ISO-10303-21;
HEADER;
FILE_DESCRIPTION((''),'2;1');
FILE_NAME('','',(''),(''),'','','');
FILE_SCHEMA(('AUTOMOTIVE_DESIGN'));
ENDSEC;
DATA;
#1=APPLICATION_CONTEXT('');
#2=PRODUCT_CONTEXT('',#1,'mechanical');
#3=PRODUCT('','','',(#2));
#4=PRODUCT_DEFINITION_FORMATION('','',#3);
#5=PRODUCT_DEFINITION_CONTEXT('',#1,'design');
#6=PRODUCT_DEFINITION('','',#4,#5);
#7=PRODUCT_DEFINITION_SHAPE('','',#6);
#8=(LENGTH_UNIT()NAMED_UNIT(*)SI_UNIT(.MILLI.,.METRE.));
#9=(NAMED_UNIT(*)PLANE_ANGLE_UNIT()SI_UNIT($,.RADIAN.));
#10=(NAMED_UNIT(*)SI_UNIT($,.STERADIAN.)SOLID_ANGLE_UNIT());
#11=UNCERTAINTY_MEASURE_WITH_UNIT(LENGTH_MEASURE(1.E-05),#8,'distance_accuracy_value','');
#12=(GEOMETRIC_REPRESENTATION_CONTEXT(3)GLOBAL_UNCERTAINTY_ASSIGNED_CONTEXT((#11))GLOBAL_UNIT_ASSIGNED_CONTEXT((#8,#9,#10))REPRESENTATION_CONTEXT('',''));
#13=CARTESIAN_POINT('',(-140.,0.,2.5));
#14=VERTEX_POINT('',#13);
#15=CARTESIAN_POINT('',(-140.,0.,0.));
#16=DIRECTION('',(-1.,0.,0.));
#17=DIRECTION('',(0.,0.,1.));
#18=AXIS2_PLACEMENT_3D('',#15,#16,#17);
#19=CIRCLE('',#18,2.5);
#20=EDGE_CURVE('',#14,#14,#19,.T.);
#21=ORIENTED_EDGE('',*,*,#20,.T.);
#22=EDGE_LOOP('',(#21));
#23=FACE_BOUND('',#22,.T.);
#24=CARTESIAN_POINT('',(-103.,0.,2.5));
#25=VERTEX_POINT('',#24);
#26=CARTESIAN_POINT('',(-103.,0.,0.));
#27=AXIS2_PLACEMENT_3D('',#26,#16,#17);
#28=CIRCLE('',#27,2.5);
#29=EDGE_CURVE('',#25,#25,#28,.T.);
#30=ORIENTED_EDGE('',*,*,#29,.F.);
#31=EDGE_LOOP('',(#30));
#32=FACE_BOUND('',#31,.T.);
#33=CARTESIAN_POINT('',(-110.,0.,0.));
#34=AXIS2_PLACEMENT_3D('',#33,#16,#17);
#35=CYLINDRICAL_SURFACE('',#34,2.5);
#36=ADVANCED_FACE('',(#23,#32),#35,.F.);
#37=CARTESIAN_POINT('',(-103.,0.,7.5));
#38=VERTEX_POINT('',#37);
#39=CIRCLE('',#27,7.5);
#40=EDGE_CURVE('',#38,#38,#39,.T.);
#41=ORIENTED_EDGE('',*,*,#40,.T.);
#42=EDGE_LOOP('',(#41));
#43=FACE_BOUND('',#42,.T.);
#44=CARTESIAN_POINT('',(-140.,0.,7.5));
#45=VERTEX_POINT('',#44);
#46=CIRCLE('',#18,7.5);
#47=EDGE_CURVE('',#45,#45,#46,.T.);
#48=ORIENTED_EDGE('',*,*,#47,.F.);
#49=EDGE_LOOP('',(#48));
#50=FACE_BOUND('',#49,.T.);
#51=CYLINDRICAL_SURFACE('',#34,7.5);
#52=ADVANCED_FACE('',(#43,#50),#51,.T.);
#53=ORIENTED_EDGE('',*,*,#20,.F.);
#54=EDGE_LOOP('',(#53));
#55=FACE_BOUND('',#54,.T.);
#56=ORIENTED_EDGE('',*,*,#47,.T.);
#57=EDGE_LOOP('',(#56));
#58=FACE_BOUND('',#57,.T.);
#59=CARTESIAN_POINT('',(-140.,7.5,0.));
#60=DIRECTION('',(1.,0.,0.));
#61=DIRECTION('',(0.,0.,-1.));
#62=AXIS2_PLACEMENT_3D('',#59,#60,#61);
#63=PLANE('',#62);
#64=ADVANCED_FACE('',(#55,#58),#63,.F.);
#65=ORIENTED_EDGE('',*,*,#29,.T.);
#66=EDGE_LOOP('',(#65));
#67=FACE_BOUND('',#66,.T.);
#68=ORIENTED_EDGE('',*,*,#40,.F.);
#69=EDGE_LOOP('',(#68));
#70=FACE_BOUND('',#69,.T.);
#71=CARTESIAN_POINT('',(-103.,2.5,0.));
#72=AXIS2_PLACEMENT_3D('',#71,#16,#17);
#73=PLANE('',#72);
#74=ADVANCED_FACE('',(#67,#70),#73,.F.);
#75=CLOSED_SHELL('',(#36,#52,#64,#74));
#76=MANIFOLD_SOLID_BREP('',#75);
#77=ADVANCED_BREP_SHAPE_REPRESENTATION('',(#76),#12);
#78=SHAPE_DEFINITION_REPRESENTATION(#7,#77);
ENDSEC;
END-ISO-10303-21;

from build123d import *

# Parameters (mm, degrees)
AXIAL_PROFILE_MM_W = 37
AXIAL_PROFILE_MM_H = 5


with BuildPart() as part:
    # Axial profile (mm) → Full revolution (revolve)
    with BuildSketch(Plane.XY, mode=Mode.PRIVATE) as full_revolution_sk:
        with Locations((-121.5, 5)):
            Rectangle(AXIAL_PROFILE_MM_W, AXIAL_PROFILE_MM_H)
    revolve(full_revolution_sk.sketch.rotate(Axis((-110, 0, 0), (1, 0, 0)), 90), axis=Axis((-110, 0, 0), (1, 0, 0)))


solid = part.part
